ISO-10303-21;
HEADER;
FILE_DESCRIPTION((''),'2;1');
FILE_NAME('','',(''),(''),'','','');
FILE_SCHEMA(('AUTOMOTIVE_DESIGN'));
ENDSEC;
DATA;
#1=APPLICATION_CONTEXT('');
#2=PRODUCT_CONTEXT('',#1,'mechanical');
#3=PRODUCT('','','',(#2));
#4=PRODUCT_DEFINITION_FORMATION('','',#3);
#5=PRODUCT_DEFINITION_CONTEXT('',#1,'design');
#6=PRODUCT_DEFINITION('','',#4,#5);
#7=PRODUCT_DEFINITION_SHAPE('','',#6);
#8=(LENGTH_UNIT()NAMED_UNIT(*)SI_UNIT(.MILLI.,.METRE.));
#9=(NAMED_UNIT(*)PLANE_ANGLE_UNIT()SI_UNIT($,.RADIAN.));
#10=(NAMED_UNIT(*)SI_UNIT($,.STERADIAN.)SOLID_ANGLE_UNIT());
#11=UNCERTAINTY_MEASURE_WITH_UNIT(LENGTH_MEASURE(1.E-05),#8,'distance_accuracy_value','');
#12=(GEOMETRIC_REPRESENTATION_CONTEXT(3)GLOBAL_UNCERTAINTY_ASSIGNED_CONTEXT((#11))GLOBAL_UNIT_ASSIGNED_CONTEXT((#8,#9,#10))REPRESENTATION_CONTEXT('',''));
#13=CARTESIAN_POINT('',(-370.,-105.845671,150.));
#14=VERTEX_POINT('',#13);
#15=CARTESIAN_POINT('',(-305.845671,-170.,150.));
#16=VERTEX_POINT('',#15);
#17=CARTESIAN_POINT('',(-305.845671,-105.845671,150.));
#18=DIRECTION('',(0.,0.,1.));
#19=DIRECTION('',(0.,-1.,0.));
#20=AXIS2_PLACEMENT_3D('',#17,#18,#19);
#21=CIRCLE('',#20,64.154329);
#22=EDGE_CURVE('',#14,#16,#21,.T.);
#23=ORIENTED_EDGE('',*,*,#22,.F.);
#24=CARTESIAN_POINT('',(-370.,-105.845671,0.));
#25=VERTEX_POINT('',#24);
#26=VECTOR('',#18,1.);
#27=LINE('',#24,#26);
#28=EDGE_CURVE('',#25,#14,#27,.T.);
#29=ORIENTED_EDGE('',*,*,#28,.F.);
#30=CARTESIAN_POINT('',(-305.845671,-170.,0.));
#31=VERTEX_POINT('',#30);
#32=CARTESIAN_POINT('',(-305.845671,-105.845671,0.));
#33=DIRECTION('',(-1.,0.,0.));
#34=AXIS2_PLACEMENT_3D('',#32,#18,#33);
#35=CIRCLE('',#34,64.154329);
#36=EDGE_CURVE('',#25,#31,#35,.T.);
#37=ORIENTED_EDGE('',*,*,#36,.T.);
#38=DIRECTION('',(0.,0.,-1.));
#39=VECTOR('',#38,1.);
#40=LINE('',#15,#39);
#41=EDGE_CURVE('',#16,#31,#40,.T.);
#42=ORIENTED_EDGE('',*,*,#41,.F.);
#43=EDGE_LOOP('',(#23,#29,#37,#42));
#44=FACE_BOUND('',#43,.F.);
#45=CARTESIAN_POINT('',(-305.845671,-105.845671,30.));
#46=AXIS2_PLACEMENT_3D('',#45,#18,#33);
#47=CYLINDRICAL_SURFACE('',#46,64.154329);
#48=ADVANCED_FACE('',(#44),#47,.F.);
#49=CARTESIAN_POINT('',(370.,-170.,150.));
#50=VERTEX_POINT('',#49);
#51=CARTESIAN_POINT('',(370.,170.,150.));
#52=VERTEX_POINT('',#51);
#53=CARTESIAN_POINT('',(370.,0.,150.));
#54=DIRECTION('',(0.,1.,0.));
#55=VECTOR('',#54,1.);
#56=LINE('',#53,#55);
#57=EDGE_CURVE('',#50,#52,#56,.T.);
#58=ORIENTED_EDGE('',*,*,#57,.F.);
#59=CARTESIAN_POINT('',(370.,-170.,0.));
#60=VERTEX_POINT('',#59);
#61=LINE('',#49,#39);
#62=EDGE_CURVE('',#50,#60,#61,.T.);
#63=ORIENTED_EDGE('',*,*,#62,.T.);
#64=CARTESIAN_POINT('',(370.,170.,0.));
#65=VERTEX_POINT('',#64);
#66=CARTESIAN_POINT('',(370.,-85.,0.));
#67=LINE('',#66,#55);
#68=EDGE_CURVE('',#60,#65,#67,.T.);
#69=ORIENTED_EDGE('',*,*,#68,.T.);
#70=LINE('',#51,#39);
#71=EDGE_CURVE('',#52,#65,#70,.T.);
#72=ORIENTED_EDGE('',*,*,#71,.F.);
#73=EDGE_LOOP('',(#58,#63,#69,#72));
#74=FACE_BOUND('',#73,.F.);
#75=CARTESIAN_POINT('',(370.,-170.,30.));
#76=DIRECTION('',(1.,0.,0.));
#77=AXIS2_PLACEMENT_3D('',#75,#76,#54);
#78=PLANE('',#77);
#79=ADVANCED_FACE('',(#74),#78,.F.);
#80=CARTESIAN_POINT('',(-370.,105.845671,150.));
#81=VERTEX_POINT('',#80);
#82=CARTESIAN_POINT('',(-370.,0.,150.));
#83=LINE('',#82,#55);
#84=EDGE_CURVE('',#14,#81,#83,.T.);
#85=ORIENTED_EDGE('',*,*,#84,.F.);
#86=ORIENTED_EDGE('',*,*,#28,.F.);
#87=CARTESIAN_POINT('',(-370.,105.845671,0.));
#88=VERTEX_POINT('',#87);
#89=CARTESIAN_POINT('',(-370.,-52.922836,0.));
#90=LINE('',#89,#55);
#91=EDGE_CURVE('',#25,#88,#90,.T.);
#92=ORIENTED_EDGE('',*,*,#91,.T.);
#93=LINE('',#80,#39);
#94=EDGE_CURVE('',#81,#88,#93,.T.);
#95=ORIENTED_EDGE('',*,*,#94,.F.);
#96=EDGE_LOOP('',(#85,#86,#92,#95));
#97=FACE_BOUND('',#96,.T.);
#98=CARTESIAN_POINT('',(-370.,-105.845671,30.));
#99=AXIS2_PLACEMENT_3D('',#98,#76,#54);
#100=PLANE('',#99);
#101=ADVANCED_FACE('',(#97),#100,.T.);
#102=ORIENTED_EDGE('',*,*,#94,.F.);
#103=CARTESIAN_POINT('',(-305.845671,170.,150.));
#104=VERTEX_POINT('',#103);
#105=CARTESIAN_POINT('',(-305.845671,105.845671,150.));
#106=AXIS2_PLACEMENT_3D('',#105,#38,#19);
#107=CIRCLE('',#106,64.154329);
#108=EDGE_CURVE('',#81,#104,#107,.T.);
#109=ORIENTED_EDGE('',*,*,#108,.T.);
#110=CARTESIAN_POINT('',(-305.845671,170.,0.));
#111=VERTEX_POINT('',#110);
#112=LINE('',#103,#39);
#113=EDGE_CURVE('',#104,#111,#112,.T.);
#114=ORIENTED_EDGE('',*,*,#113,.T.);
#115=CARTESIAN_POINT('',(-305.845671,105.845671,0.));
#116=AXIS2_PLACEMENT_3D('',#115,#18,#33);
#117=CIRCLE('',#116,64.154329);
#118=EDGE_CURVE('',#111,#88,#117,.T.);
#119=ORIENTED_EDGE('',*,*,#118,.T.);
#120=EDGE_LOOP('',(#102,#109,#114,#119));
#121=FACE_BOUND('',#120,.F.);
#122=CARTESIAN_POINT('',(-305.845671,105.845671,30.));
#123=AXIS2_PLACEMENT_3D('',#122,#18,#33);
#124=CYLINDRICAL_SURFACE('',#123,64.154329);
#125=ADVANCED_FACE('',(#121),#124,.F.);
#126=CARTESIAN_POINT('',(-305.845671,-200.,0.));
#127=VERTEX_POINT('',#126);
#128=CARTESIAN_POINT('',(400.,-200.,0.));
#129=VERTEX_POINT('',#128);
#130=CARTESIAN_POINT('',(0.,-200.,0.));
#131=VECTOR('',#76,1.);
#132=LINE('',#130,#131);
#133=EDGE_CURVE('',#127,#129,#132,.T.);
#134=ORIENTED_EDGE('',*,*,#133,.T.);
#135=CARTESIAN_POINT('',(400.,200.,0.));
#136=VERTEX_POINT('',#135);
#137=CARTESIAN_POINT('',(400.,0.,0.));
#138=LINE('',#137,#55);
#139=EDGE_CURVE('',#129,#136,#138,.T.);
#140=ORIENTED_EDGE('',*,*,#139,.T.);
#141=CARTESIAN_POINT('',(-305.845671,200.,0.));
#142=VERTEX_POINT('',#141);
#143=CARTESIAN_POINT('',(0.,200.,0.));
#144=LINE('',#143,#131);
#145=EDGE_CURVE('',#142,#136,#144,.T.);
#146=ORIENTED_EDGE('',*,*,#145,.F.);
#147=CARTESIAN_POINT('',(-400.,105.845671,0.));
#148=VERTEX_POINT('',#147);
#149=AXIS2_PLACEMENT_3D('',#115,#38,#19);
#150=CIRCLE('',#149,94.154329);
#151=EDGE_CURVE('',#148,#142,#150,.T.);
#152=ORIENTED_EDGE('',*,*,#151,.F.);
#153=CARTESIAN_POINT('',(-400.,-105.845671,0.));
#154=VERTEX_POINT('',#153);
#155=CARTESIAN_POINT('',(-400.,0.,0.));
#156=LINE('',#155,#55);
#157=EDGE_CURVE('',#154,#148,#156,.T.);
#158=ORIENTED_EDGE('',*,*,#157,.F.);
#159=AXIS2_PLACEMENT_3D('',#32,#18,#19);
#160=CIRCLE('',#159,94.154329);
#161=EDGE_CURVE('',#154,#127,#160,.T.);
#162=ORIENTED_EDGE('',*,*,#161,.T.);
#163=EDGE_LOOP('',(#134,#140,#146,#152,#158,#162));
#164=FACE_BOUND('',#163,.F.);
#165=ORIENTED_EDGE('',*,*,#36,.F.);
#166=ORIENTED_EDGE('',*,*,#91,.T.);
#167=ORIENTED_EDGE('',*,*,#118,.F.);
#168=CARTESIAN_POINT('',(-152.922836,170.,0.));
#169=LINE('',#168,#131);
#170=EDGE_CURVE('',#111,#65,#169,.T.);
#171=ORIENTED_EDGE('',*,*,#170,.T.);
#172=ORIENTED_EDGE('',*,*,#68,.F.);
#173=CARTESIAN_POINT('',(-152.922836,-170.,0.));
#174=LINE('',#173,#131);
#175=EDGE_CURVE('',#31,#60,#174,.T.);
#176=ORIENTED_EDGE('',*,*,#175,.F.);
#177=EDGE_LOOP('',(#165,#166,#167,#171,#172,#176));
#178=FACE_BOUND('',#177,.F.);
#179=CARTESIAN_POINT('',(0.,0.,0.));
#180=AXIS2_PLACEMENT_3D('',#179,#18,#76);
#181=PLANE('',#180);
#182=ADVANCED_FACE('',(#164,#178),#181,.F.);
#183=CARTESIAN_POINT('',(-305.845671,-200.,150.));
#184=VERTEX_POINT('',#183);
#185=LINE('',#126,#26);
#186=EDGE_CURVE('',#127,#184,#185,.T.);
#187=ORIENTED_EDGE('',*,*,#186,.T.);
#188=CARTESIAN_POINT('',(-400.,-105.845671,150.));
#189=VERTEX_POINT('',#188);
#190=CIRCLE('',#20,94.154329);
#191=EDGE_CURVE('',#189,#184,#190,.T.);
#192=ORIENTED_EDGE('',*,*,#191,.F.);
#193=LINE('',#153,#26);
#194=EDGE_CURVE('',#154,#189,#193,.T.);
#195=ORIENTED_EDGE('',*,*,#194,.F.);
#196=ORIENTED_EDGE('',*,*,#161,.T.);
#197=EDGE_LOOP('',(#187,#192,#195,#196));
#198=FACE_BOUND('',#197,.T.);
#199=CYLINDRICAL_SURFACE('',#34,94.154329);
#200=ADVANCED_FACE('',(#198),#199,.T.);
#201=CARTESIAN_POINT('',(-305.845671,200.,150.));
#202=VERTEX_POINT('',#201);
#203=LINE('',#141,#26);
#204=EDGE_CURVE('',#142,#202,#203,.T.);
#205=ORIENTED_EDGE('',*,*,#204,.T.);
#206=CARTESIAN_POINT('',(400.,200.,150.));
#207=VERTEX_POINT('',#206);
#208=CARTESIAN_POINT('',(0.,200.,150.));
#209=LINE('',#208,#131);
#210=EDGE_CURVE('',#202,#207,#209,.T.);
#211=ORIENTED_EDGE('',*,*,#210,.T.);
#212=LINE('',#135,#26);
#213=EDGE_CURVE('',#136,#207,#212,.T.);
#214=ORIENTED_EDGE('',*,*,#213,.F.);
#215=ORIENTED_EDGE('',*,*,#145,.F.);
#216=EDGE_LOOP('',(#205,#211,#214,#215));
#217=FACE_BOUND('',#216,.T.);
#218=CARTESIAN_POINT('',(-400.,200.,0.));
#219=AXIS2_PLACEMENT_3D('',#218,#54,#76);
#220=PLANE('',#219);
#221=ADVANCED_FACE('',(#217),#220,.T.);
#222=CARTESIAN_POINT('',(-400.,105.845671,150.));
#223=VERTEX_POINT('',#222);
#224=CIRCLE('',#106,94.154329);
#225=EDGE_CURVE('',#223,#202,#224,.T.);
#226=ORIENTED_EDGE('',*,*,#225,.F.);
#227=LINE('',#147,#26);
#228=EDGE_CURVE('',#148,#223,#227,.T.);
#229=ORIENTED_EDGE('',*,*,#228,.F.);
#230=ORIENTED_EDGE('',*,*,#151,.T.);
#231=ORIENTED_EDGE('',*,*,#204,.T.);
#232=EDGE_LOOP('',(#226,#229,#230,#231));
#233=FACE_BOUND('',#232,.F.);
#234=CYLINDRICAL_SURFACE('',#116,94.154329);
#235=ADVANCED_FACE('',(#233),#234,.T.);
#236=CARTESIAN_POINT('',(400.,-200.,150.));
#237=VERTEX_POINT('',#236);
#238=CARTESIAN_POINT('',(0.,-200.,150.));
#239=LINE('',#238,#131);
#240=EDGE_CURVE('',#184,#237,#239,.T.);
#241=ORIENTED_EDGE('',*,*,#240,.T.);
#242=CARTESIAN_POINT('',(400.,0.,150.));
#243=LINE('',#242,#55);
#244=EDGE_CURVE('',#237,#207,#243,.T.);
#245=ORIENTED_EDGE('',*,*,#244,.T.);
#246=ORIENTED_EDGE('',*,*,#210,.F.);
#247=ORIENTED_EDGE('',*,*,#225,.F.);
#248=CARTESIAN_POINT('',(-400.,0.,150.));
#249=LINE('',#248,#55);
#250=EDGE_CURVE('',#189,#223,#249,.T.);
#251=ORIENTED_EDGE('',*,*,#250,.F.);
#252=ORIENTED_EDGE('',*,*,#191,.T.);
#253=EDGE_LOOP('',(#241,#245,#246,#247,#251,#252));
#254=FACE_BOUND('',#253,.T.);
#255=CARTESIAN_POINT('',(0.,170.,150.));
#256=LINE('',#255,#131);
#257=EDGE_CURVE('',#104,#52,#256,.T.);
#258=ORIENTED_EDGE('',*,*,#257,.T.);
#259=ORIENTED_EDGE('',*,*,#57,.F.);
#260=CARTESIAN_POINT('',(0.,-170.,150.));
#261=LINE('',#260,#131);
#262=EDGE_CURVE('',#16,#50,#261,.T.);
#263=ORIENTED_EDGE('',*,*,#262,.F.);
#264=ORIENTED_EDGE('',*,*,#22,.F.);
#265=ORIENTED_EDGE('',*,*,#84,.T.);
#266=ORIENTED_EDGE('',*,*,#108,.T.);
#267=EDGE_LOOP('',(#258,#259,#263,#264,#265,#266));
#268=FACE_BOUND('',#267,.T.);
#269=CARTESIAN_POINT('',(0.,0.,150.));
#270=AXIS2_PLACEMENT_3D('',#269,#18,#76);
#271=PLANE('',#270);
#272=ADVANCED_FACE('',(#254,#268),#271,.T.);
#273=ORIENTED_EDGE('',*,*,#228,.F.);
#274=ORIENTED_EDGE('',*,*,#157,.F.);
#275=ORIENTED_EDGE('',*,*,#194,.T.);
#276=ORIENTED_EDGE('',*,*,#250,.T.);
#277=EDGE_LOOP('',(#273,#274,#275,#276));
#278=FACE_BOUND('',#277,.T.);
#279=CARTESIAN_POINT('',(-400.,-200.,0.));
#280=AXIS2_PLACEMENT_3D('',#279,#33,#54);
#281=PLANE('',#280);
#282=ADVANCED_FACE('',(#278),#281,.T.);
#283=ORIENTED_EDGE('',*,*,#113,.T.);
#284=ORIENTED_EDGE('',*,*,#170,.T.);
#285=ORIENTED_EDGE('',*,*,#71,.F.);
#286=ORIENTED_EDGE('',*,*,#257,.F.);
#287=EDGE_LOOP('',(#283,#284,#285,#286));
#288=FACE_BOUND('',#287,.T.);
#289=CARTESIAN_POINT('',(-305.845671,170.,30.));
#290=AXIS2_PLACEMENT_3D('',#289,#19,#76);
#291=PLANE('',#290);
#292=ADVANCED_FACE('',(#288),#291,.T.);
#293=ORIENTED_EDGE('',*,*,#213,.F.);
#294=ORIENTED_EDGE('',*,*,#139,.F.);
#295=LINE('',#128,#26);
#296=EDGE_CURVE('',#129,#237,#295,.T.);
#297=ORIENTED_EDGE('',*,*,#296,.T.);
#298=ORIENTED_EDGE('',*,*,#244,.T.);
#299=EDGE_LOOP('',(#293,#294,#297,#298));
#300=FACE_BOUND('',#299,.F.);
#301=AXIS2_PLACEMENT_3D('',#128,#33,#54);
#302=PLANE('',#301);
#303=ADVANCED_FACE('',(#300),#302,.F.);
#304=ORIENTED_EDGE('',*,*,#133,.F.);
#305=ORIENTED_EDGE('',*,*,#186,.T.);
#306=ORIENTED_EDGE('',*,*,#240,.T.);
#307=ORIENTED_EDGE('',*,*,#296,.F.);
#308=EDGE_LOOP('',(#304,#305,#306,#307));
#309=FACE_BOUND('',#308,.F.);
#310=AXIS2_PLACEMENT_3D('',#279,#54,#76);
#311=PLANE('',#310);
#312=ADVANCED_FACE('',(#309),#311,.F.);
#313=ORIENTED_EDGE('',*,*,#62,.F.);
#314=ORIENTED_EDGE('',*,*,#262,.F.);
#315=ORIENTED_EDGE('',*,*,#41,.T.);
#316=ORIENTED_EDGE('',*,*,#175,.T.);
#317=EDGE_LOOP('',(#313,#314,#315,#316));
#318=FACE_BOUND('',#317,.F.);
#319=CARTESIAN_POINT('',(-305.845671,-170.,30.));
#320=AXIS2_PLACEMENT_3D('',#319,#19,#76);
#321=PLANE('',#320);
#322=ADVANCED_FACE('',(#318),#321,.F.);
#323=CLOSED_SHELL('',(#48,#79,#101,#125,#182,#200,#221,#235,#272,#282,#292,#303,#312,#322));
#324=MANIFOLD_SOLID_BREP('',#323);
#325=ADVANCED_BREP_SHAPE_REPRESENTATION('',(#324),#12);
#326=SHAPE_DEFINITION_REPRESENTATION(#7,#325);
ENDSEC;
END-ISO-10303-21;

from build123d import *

# Parameters (mm, degrees)
F0_W     = 800
F0_H     = 400
F1_DEPTH = 150
F2_R     = 94.1543289326
F3_T     = -30
F4_DEPTH = 202


with BuildPart() as f1:
    # F0 (on Top) → F1 (new body)
    with BuildSketch(Plane.XY):
        Rectangle(F0_W, F0_H)
    extrude(amount=F1_DEPTH)

    # F2
    f2_edges = [f1.edges().sort_by_distance(p)[0] for p in [
        (-400, 200, 75),
        (-400, -200, 75),
    ]]
    fillet(f2_edges, radius=F2_R)

    # F3
    f3_openings = [f1.faces().sort_by_distance(p)[0] for p in [
        (4.56029, 0, 150),
    ]]
    offset(amount=F3_T, openings=f3_openings)

    # F4 (cut): a face of the model
    f4_faces = [f1.faces().sort_by_distance(p)[0] for p in [
        (2.5148489981, 0, 30),
    ]]
    extrude(f4_faces, amount=-F4_DEPTH, mode=Mode.SUBTRACT)


solid = f1.part
